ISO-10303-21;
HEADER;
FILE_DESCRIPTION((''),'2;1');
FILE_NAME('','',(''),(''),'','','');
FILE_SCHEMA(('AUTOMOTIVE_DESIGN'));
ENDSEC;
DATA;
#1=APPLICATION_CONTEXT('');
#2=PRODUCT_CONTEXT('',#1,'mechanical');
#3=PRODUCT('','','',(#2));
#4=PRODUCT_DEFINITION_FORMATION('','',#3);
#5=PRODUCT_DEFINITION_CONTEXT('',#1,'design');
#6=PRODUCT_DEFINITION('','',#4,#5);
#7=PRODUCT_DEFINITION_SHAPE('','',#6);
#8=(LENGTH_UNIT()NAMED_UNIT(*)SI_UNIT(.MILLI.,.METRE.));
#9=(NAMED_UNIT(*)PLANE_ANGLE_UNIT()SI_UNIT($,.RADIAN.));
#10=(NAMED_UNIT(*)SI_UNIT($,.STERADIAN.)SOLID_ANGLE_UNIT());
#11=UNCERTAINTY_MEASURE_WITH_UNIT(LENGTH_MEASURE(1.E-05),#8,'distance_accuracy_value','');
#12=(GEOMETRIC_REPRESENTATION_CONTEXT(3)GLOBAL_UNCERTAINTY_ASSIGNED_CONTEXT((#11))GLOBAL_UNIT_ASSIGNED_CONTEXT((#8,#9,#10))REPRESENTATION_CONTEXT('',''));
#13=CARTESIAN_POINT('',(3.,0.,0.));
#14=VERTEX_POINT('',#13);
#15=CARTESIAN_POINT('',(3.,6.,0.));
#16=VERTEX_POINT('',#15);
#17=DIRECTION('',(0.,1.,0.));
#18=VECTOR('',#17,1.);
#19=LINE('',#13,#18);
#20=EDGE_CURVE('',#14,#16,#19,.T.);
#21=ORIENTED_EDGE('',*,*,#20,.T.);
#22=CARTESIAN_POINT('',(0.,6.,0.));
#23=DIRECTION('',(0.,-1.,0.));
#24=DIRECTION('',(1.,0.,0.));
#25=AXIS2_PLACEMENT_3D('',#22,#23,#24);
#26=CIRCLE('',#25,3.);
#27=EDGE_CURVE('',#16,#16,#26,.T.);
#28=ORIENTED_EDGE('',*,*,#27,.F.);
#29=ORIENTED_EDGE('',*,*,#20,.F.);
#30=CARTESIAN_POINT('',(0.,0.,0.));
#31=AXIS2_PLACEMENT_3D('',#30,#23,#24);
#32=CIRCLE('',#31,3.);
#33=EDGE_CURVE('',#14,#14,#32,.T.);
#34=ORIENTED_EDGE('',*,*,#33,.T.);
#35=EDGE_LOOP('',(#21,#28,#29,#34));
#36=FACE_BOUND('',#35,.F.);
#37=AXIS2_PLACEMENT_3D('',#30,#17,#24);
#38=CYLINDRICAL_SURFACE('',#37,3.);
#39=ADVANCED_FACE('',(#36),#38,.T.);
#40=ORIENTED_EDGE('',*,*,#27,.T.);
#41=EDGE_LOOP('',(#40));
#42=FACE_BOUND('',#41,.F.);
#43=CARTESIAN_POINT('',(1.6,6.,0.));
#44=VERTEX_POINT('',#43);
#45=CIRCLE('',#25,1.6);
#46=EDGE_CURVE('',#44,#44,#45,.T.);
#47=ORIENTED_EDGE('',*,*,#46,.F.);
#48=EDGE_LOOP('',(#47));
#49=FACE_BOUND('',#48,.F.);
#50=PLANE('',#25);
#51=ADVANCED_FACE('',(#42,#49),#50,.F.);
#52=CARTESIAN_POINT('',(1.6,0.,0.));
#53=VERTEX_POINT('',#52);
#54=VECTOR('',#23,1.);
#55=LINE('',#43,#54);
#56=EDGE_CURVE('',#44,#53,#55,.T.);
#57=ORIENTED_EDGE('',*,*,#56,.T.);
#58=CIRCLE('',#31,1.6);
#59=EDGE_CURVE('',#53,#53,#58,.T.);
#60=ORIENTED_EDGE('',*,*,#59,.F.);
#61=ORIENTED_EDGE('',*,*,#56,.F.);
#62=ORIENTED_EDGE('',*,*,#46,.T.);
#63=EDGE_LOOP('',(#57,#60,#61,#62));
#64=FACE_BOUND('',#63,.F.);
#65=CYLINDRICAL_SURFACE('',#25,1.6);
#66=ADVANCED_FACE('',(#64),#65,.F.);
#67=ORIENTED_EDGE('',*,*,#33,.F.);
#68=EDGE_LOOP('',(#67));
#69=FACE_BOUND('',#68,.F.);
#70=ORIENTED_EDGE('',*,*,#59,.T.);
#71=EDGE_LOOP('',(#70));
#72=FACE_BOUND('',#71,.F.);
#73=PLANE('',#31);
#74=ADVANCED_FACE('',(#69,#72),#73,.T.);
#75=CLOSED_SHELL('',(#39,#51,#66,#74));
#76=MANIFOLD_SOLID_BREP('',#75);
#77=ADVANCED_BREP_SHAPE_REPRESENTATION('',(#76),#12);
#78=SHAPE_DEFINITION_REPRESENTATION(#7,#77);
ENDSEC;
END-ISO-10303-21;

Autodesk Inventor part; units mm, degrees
ref_plane "YZ Plane" through (0, 0, 0) normal (1, 0, 0) x (0, 1, 0)
ref_plane "XZ Plane" through (0, 0, 0) normal (0, 1, 0) x (-1, 0, 0)
ref_plane "XY Plane" through (0, 0, 0) normal (0, 0, 1) x (1, 0, 0)
sketch "スケッチ1" plane through (0, 0, 0) normal (0, 0, 1) x (1, 0, 0)
  line L0 (0, 0) -> (3, 0)
  line L1 (3, 0) -> (3, 6)
  line L2 (3, 6) -> (0, 6)
  line L3 (0, 6) -> (0, 0)
  line L4 (1.6, 6) -> (1.6, 0)
  dimension "d0" = 3
  dimension "d1" = 6
  dimension "d2" = 1.6
revolve "回転1" add sketch "スケッチ1" angle 360 about axis through (0, 6, 0) along (0, -1, 0) contours L4 L2 L1 L0
properties part number "CU-306" material "ステンレス鋼 AISI 304"
